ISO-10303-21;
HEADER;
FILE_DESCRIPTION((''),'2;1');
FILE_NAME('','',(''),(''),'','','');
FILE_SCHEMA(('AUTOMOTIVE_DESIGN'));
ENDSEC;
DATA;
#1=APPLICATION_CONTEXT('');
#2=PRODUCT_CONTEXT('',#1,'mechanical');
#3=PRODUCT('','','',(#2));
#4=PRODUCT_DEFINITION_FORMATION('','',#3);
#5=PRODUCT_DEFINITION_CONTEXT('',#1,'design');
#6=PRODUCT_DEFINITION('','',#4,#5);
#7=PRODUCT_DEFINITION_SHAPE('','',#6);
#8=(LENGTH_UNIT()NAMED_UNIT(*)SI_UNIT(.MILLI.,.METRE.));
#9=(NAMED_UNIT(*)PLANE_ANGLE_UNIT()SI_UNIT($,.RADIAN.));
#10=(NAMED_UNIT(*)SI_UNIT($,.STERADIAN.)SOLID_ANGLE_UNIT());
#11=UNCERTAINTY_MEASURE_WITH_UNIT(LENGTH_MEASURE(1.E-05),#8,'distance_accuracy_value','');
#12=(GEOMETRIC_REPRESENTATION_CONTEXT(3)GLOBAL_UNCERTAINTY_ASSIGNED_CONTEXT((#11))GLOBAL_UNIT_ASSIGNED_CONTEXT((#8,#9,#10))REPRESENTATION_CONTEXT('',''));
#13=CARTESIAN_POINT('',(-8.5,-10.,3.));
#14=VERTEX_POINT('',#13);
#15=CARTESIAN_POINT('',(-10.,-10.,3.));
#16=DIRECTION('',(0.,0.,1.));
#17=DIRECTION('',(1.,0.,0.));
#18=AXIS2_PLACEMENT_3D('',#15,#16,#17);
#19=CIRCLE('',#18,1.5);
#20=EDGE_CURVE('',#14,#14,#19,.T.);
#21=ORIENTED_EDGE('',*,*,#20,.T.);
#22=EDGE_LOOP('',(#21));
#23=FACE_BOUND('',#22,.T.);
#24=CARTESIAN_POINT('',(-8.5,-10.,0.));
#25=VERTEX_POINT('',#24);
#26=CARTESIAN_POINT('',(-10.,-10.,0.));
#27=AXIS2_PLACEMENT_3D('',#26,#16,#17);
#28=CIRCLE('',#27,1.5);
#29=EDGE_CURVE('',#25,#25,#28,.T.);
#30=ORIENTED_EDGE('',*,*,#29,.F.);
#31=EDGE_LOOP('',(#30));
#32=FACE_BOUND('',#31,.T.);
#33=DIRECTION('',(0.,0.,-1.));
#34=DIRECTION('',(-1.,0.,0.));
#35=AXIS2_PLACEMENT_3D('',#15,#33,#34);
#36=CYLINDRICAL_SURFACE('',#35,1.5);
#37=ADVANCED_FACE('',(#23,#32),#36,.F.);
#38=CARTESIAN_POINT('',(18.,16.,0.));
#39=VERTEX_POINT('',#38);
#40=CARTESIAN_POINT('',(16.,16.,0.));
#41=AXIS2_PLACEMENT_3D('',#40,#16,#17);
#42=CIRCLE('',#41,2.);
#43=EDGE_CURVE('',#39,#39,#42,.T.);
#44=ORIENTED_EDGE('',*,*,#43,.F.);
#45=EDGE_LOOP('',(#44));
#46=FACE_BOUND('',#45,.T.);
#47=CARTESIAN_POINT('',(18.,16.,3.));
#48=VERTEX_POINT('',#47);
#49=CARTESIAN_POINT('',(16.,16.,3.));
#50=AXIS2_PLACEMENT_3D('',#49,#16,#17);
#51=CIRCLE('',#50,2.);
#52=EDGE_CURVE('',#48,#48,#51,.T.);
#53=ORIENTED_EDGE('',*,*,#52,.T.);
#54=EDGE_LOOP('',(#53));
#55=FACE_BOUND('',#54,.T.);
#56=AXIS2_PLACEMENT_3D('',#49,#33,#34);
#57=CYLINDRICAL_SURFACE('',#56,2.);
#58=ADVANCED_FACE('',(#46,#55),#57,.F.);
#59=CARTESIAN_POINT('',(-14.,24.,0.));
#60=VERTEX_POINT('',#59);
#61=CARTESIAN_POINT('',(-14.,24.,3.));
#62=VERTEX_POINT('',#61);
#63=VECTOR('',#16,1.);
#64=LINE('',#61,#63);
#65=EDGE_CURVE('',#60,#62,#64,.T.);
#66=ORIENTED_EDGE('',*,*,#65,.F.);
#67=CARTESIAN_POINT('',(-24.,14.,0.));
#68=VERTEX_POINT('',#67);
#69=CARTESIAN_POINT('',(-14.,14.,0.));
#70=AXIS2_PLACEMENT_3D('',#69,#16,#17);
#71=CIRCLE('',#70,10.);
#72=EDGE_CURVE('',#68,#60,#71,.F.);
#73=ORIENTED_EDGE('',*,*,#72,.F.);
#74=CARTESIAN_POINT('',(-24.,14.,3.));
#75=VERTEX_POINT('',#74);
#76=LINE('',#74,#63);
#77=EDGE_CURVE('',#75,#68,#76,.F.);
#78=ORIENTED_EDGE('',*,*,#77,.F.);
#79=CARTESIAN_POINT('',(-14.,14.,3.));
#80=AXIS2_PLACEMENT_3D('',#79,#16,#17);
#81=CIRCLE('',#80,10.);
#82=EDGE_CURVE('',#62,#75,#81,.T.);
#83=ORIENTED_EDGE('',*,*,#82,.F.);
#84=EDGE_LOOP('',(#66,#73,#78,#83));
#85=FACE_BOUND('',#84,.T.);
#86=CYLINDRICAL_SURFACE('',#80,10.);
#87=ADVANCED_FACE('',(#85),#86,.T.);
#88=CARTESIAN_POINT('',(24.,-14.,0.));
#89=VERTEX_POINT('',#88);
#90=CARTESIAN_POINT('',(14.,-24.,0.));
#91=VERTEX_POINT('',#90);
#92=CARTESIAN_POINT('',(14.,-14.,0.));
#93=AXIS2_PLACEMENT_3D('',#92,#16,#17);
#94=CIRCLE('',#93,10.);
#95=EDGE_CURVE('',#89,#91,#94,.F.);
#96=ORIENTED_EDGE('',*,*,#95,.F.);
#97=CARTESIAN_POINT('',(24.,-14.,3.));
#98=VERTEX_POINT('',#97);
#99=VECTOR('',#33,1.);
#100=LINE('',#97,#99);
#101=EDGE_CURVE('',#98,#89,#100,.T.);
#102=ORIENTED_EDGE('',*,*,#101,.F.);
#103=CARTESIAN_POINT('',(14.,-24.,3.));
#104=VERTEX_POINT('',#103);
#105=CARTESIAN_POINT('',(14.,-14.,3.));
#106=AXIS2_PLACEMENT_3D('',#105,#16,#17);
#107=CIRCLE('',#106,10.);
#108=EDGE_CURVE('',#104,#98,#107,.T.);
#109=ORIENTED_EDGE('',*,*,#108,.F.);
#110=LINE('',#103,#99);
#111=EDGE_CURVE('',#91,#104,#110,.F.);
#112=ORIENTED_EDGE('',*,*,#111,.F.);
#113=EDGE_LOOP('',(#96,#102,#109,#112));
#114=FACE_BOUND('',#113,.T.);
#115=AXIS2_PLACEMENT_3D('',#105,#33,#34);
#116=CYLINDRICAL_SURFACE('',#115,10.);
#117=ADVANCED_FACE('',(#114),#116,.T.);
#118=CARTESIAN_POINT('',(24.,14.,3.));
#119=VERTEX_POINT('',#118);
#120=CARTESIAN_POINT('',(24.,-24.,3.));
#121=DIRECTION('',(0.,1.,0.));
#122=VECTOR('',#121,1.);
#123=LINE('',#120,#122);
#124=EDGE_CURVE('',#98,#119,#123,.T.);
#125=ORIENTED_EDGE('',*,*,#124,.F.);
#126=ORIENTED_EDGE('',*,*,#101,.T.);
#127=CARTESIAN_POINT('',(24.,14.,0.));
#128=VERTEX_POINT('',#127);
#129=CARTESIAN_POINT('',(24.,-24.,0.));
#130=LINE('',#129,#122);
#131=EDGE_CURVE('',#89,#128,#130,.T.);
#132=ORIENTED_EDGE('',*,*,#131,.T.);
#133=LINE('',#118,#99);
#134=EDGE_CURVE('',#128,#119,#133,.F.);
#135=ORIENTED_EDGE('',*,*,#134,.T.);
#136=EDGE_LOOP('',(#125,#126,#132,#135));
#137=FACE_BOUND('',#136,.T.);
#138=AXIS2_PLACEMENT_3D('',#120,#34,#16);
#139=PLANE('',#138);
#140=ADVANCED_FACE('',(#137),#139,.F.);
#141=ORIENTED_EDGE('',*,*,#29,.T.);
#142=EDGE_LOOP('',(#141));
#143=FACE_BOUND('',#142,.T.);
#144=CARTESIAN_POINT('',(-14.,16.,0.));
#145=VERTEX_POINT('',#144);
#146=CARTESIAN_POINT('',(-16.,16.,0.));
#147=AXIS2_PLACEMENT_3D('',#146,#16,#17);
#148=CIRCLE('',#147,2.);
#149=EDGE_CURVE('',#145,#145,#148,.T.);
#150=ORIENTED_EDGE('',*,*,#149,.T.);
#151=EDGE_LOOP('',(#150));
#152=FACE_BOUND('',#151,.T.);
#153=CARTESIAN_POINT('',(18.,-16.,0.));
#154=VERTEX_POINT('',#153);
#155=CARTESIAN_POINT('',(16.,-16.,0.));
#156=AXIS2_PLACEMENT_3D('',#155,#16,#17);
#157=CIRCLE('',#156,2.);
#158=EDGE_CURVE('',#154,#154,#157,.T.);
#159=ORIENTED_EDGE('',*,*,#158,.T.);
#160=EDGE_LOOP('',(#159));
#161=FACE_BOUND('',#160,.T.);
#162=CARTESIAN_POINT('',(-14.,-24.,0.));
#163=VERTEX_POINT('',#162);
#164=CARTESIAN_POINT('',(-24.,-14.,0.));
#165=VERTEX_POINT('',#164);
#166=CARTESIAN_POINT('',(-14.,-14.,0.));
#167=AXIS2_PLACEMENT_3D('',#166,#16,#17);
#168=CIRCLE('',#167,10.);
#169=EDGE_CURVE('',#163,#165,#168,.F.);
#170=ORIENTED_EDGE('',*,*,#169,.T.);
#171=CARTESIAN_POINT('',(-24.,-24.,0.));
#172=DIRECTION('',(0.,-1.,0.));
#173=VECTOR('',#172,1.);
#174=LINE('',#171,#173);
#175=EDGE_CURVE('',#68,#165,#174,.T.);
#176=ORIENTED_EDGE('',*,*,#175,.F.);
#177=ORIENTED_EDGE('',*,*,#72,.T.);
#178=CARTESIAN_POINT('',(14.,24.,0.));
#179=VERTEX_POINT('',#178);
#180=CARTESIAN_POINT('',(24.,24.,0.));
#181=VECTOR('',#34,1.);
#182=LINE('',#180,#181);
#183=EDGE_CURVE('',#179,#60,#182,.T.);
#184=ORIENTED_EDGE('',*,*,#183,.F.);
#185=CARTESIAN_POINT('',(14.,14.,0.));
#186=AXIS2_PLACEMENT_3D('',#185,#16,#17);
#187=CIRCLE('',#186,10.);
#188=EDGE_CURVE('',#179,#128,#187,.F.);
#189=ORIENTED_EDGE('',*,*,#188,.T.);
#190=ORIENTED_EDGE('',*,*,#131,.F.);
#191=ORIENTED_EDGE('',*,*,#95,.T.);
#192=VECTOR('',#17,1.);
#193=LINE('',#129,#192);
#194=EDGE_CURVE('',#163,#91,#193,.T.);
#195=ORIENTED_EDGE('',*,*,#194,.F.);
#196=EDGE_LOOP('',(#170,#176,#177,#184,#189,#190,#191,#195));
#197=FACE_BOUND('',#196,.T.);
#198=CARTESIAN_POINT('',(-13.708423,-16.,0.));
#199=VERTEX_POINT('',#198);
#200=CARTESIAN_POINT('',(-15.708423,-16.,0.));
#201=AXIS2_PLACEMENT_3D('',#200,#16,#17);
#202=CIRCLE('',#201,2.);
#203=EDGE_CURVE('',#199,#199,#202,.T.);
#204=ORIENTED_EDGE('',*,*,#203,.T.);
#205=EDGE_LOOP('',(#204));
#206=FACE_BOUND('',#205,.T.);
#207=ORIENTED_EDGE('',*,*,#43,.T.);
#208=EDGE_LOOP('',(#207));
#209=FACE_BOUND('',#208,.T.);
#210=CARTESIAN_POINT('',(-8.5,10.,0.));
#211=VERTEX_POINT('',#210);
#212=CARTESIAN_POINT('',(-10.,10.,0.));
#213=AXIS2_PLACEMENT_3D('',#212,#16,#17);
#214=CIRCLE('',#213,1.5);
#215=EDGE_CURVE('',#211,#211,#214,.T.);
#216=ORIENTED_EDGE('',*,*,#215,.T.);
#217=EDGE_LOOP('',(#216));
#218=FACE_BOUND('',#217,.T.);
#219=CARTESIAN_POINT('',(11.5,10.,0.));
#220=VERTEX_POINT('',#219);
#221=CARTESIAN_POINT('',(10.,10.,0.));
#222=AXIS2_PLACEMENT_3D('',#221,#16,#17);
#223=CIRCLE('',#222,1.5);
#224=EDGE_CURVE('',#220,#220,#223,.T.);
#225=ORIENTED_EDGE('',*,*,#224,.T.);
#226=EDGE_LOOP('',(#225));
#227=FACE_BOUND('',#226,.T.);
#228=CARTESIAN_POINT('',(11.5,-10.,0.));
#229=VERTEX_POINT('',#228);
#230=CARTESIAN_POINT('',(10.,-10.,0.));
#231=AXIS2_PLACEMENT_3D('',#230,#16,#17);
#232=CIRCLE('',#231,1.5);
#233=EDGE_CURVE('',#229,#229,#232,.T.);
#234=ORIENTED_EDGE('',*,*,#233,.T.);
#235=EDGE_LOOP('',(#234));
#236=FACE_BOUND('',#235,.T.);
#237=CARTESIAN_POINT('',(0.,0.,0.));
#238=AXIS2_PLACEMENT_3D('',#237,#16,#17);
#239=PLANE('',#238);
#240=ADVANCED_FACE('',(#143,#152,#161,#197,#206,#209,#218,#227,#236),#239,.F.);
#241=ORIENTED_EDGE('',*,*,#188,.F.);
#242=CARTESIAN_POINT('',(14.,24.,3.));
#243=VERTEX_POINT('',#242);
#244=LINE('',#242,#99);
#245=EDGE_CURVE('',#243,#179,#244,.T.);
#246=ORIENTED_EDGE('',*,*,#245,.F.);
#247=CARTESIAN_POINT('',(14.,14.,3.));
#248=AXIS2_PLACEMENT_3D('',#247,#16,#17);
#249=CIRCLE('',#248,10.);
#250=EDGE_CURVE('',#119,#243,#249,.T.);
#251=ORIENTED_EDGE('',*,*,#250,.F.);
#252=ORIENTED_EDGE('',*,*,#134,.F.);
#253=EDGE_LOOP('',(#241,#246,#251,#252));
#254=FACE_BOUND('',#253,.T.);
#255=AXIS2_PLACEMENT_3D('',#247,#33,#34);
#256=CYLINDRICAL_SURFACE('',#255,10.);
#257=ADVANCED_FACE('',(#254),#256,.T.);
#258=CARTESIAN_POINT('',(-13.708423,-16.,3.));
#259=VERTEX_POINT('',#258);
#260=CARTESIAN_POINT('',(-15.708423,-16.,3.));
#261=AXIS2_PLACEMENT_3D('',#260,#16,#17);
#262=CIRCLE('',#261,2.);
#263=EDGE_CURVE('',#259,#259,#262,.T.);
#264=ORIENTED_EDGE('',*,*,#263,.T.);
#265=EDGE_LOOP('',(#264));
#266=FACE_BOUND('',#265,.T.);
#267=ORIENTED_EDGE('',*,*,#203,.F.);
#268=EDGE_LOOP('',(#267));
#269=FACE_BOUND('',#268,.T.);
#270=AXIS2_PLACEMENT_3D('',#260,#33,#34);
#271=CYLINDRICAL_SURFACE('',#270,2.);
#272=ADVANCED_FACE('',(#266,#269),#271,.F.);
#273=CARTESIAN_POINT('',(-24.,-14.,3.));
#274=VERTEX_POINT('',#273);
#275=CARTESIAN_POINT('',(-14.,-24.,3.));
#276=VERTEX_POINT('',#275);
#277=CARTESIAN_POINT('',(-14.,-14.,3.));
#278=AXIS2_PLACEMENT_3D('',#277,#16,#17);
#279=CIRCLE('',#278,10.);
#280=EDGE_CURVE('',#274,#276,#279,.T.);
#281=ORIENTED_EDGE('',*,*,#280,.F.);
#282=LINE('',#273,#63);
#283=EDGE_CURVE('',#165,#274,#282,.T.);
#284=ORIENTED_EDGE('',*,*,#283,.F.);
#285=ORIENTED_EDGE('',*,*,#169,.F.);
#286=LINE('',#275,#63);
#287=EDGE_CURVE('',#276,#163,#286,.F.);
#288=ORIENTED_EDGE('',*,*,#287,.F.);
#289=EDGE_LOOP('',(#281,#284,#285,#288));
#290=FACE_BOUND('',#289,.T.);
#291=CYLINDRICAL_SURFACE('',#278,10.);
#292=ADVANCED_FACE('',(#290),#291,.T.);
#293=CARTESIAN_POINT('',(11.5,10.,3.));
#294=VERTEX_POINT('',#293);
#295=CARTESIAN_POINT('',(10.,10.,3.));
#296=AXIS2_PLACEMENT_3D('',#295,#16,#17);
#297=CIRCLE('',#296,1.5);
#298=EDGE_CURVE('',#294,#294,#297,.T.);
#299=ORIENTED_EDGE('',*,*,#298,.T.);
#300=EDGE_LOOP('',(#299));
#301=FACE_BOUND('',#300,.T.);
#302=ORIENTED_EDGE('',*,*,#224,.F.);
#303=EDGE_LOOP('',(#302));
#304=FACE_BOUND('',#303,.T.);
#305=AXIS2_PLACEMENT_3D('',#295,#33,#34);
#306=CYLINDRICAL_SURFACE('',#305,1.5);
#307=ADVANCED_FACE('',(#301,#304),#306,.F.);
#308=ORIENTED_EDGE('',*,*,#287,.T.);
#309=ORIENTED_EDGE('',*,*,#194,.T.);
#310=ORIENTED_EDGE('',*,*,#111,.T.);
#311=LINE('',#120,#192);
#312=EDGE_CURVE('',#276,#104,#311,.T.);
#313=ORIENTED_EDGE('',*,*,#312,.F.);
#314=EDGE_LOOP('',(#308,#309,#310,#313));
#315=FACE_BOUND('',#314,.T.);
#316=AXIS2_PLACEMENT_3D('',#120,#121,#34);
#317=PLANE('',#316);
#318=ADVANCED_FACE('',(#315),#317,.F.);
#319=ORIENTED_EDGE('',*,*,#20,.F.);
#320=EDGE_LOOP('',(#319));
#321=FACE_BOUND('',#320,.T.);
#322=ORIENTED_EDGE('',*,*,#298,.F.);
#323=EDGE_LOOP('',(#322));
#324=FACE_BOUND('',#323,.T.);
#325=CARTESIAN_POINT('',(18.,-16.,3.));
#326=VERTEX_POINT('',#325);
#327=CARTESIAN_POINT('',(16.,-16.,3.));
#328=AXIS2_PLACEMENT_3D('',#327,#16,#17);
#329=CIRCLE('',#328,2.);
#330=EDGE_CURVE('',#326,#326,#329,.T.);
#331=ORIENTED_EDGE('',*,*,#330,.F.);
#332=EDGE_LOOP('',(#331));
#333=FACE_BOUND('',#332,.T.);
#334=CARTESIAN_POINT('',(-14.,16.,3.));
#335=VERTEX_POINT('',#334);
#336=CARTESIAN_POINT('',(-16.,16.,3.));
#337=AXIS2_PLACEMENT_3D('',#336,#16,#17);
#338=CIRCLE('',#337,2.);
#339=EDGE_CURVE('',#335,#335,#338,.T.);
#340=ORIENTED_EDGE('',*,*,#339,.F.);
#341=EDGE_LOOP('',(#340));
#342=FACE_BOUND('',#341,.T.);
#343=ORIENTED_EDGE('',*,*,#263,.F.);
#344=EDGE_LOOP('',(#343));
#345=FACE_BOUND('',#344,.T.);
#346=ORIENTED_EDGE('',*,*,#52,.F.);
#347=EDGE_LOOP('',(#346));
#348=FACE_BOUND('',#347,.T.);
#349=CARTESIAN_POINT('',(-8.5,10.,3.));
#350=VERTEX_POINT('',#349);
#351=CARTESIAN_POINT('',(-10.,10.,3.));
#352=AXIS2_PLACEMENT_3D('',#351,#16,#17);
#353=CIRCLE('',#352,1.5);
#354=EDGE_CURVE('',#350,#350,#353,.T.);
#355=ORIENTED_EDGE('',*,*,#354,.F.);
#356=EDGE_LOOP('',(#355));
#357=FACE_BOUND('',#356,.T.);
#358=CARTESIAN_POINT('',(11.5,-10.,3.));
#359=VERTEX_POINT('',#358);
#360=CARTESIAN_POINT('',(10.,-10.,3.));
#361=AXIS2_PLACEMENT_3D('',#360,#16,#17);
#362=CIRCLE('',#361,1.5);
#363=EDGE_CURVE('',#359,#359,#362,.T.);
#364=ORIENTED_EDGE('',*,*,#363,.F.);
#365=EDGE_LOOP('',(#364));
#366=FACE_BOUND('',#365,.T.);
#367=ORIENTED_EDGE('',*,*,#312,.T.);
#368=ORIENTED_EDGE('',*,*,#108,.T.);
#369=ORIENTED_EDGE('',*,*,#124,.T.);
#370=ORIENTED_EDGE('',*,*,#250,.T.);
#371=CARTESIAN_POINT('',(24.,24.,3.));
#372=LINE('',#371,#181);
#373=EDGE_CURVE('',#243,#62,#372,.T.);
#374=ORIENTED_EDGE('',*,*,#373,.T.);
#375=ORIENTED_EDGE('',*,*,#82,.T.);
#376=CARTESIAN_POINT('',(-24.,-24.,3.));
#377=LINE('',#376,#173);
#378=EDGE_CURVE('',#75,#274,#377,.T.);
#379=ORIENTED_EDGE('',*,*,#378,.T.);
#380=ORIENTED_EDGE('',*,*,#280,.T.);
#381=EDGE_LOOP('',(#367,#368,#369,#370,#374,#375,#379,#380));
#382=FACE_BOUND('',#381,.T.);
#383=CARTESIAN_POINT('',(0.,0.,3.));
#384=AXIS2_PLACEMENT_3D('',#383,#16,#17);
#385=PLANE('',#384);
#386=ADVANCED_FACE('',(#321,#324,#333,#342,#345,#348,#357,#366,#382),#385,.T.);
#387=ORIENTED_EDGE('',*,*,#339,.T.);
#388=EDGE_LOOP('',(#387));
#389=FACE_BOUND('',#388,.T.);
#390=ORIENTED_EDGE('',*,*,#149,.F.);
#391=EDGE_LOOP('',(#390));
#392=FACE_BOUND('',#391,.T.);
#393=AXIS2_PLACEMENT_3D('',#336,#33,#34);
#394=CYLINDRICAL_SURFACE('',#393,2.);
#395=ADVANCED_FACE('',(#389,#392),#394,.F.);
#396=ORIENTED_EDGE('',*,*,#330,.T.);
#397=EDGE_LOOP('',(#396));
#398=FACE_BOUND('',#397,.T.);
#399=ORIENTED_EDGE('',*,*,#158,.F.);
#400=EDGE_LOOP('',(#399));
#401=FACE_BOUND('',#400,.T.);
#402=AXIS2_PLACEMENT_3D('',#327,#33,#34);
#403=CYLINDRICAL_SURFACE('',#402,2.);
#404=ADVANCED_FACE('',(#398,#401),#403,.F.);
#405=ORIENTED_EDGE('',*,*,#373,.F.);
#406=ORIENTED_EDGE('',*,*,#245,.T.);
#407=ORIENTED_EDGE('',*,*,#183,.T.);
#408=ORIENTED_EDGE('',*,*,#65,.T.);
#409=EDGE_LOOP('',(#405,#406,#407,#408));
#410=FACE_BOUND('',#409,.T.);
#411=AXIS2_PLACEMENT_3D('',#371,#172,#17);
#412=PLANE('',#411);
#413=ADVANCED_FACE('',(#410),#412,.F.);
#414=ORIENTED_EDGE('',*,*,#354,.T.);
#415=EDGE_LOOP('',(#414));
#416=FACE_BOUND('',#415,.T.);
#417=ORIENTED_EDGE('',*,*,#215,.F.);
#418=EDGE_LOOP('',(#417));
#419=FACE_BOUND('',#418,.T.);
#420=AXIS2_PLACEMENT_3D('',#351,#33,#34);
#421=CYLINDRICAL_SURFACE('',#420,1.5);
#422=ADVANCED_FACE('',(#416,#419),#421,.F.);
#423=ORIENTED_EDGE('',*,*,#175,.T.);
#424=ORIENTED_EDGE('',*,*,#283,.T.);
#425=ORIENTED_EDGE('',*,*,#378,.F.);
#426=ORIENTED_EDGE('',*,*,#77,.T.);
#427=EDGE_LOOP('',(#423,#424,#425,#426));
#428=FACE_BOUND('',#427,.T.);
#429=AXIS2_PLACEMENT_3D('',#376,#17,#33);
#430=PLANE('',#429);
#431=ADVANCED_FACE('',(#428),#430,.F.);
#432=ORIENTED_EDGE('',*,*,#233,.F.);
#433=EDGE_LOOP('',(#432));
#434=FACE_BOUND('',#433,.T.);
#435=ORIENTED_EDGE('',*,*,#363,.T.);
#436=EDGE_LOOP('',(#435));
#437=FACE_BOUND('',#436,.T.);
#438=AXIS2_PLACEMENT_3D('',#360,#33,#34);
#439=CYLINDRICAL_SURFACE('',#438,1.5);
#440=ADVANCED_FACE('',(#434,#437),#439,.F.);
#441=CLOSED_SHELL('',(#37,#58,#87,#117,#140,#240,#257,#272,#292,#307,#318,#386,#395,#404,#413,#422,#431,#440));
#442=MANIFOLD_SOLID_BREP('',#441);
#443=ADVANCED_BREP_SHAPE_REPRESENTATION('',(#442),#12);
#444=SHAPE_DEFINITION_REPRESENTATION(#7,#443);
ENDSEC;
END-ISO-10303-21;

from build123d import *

# Parameters (mm, degrees)
SKETCH1_W           = 48
SKETCH1_H           = 48
SKETCH1_R           = 1.5
SKETCH1_R_2         = 2
BOSS_EXTRUDE1_DEPTH = 3
FILLET1_R           = 10
FILLET2_R           = 10
FILLET3_R           = 10
FILLET4_R           = 10


with BuildPart() as part:
    # Sketch1 → Boss-Extrude1 (new body)
    with BuildSketch(Plane.XY):
        Rectangle(SKETCH1_W, SKETCH1_H)
        with Locations((10, 10)):
            Circle(SKETCH1_R, mode=Mode.SUBTRACT)
        with Locations((-10, 10)):
            Circle(SKETCH1_R, mode=Mode.SUBTRACT)
        with Locations((-10, -10)):
            Circle(SKETCH1_R, mode=Mode.SUBTRACT)
        with Locations((10, -10)):
            Circle(SKETCH1_R, mode=Mode.SUBTRACT)
        with Locations((-16, 16)):
            Circle(SKETCH1_R_2, mode=Mode.SUBTRACT)
        with Locations((16, 16)):
            Circle(SKETCH1_R_2, mode=Mode.SUBTRACT)
        with Locations((16, -16)):
            Circle(SKETCH1_R_2, mode=Mode.SUBTRACT)
        with Locations((-15.708422677, -16)):
            Circle(SKETCH1_R_2, mode=Mode.SUBTRACT)
    extrude(amount=BOSS_EXTRUDE1_DEPTH)

    # Fillet1
    fillet1_edges = [part.edges().sort_by_distance(p)[0] for p in [
        (-24, 24, 1.5),
    ]]
    fillet(fillet1_edges, radius=FILLET1_R)

    # Fillet2
    fillet2_edges = [part.edges().sort_by_distance(p)[0] for p in [
        (24, 24, 1.5),
    ]]
    fillet(fillet2_edges, radius=FILLET2_R)

    # Fillet3
    fillet3_edges = [part.edges().sort_by_distance(p)[0] for p in [
        (24, -24, 1.5),
    ]]
    fillet(fillet3_edges, radius=FILLET3_R)

    # Fillet4
    fillet4_edges = [part.edges().sort_by_distance(p)[0] for p in [
        (-24, -24, 1.5),
    ]]
    fillet(fillet4_edges, radius=FILLET4_R)


solid = part.part
